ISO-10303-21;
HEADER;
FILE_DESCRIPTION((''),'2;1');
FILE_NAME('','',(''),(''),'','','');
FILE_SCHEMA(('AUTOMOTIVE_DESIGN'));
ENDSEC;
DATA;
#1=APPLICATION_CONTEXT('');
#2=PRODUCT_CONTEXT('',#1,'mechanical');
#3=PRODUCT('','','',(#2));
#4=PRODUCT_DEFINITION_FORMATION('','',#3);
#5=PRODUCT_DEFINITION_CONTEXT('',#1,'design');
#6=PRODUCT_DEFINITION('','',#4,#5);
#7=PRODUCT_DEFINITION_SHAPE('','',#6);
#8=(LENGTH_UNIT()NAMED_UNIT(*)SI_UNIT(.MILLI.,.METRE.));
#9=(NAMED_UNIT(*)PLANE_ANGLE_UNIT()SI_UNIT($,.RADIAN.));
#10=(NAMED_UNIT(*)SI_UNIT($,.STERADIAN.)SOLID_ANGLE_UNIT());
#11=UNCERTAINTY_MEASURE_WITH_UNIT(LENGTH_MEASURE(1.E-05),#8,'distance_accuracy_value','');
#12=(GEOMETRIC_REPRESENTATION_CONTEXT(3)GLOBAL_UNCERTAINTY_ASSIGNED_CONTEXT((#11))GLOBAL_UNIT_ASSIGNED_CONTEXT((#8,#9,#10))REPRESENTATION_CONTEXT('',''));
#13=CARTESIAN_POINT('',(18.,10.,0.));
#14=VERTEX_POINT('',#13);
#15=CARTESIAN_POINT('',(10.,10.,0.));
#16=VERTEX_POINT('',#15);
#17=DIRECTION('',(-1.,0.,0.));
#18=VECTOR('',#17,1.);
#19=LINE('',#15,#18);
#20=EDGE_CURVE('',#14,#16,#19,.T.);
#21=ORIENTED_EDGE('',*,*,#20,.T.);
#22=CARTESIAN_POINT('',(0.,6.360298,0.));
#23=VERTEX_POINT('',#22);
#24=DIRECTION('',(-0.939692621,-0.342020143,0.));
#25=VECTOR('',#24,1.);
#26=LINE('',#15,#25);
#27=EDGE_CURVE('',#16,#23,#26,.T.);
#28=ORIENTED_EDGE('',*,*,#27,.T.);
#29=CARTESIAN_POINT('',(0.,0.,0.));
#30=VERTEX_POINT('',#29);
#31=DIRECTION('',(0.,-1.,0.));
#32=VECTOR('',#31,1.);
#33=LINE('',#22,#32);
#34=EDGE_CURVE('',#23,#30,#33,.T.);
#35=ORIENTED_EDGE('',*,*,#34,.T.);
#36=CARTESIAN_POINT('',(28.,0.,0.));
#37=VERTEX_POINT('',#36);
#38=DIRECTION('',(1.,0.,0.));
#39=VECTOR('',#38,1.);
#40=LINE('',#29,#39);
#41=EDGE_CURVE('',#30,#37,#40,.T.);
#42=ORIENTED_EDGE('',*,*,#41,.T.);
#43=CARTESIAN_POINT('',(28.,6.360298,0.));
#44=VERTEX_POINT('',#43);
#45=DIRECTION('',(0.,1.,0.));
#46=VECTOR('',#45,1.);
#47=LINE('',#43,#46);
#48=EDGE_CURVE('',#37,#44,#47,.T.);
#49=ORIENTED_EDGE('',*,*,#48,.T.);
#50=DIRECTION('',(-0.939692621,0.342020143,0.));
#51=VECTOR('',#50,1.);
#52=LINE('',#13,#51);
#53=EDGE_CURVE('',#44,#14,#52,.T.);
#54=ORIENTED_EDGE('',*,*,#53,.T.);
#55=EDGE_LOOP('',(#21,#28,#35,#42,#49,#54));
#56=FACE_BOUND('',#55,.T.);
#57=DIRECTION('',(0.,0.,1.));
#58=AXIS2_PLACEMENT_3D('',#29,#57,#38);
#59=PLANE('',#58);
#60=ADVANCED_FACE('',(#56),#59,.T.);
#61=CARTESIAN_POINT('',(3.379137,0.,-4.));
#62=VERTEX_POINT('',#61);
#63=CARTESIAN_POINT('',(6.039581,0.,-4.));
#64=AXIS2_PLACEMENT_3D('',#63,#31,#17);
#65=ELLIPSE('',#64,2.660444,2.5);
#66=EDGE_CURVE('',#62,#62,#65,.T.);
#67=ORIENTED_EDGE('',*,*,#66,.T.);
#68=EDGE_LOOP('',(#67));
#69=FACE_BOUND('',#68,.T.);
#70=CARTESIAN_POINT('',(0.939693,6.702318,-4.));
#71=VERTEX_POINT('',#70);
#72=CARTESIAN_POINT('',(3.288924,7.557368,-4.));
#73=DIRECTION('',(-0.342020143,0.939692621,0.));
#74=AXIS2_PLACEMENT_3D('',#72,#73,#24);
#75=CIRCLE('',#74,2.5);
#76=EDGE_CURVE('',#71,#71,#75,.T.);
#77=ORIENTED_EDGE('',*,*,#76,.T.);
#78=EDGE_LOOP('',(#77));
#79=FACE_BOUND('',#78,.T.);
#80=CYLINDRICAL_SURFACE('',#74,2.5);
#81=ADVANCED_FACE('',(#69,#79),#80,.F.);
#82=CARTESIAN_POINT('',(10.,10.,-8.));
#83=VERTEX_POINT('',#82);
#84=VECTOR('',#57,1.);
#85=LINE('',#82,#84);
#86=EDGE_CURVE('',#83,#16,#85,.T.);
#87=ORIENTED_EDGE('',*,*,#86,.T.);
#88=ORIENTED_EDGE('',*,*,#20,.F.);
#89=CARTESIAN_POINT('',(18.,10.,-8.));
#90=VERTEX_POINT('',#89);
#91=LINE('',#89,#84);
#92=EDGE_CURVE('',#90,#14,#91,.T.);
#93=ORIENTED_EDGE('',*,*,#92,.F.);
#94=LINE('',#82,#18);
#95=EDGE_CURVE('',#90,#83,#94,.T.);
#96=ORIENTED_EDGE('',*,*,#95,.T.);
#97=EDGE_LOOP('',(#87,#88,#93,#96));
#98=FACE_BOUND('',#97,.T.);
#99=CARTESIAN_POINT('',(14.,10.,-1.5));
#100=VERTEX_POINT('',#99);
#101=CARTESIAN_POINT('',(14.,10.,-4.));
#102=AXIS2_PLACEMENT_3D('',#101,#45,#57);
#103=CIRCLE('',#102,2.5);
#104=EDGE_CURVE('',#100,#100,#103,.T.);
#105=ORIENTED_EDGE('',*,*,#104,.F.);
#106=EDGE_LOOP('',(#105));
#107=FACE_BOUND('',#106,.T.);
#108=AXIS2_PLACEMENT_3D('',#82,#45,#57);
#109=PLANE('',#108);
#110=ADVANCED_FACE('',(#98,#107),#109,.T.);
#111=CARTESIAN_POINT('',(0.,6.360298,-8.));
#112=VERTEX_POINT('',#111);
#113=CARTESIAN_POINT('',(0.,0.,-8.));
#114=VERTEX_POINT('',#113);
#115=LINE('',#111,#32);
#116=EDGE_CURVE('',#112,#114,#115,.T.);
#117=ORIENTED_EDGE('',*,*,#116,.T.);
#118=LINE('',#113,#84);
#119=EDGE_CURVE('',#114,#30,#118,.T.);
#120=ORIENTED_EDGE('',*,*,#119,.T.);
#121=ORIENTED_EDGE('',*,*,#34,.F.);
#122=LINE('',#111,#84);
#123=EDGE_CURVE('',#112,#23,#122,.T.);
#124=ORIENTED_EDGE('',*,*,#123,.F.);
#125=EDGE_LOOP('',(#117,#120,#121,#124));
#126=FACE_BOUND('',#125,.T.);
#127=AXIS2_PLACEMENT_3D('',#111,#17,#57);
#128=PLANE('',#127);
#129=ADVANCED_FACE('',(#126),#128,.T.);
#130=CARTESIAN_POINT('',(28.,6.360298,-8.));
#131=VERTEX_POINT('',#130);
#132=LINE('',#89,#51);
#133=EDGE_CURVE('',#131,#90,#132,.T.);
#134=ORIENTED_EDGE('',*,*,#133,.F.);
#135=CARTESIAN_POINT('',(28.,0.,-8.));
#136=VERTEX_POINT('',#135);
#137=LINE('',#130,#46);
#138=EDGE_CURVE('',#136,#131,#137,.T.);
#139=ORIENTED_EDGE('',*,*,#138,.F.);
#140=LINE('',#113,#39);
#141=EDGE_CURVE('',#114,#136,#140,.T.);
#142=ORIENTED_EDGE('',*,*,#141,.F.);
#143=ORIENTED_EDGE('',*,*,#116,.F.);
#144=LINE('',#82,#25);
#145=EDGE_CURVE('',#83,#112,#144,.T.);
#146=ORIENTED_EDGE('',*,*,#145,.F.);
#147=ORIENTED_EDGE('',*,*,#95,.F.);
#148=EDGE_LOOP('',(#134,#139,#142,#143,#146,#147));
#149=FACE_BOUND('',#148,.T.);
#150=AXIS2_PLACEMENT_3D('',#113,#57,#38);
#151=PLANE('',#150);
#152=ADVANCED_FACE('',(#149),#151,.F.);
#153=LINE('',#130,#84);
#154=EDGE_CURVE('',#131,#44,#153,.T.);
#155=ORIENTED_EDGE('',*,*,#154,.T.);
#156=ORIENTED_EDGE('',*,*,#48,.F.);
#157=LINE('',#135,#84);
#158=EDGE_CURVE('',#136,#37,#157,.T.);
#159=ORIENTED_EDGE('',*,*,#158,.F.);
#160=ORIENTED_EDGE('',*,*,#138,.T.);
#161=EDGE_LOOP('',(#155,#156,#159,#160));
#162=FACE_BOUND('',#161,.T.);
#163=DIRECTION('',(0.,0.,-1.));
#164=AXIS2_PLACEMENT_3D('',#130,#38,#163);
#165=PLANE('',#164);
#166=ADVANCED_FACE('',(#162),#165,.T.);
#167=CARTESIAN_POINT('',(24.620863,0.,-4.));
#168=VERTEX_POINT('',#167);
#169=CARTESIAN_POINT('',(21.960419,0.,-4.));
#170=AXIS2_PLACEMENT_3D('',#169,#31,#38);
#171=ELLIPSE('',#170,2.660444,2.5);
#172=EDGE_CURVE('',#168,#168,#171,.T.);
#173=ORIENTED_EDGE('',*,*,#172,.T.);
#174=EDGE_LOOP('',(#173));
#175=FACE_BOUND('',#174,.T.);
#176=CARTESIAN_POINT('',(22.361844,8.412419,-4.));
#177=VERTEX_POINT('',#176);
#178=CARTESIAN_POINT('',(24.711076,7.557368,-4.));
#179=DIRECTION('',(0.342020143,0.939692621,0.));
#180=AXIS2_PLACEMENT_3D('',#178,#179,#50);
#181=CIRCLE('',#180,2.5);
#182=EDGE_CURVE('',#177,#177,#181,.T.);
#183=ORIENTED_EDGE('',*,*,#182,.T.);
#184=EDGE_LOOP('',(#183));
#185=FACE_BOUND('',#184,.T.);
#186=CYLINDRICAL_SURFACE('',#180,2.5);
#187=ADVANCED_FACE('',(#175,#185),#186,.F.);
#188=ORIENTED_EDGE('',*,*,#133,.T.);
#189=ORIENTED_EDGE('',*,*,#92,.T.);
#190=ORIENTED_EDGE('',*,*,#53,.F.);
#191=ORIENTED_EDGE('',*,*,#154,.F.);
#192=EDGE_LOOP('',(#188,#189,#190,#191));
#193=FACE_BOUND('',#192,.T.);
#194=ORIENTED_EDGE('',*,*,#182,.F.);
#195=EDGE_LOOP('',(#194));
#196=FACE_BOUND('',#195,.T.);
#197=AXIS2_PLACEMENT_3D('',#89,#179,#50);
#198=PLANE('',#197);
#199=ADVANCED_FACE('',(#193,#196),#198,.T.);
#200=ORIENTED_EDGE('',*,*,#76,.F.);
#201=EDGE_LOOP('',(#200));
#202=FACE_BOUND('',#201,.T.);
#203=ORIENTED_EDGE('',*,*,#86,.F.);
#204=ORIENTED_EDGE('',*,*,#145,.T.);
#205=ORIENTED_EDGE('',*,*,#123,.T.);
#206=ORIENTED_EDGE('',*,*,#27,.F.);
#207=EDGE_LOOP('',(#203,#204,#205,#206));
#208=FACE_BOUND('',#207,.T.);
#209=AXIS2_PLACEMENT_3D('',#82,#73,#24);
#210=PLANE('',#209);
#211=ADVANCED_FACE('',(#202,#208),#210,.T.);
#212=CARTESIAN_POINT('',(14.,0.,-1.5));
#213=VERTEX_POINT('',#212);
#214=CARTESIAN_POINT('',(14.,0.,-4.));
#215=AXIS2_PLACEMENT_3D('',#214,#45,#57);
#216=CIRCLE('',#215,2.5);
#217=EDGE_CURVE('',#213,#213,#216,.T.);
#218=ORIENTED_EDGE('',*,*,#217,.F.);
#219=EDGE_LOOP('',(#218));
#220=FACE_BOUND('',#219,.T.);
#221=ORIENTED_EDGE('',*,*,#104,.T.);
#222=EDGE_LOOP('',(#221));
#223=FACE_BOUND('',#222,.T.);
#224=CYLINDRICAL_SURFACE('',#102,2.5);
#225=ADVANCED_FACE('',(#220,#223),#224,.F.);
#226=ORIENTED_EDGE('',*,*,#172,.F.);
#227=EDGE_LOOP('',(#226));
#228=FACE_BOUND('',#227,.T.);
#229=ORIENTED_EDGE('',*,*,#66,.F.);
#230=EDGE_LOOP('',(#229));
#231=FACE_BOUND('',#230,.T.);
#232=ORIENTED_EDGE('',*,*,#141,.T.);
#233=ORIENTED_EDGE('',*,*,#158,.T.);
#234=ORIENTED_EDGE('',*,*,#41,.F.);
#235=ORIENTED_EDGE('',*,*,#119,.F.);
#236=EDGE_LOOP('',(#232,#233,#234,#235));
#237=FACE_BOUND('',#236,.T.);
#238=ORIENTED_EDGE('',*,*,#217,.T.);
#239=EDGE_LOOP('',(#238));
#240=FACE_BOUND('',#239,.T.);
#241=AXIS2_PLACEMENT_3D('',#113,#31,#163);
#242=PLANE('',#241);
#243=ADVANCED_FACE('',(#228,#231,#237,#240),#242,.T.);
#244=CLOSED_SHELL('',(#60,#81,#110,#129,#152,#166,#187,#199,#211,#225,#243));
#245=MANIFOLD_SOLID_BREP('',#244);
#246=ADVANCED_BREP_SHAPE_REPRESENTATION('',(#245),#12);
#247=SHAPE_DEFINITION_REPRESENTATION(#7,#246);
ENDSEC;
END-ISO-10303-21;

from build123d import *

# Parameters (mm, degrees)
EXTRUDE_1_DEPTH    = 8
HOLE_WIZARD_M6_1_D = 5
HOLE_WIZARD_M6_2_D = 5
HOLE_WIZARD_M6_3_D = 5


with BuildPart() as part:
    # 草图1 → 凸台-拉伸1 (new body)
    with BuildSketch(Plane.XY):
        Polygon((0, 0), (28, 0), (28, 6.360297657), (18, 10), (10, 10), (0, 6.360297657), align=None)
    extrude(amount=-EXTRUDE_1_DEPTH)

    # M6 螺纹孔1 (through all)
    with Locations(Plane(origin=(0, 10, 0), x_dir=(1, 0, 0), z_dir=(0, 1, 0))):
        with Locations((14, 4)):
            Hole(HOLE_WIZARD_M6_1_D / 2)

    # M6 螺纹孔2 (through all)
    with Locations(Plane(origin=(5.31953806, 14.615310703, 0), x_dir=(0.9396926207859093, -0.34202014332566627, 0), z_dir=(0.34202014332566627, 0.9396926207859093, 0))):
        with Locations((20.636043466, 4)):
            Hole(HOLE_WIZARD_M6_2_D / 2)

    # M6 螺纹孔3 (through all)
    with Locations(Plane(origin=(-2.044160264, 5.616284167, 0), x_dir=(0.9396926207859093, 0.3420201433256663, 0), z_dir=(-0.3420201433256663, 0.9396926207859093, 0))):
        with Locations((5.675349916, 4)):
            Hole(HOLE_WIZARD_M6_3_D / 2)


solid = part.part
